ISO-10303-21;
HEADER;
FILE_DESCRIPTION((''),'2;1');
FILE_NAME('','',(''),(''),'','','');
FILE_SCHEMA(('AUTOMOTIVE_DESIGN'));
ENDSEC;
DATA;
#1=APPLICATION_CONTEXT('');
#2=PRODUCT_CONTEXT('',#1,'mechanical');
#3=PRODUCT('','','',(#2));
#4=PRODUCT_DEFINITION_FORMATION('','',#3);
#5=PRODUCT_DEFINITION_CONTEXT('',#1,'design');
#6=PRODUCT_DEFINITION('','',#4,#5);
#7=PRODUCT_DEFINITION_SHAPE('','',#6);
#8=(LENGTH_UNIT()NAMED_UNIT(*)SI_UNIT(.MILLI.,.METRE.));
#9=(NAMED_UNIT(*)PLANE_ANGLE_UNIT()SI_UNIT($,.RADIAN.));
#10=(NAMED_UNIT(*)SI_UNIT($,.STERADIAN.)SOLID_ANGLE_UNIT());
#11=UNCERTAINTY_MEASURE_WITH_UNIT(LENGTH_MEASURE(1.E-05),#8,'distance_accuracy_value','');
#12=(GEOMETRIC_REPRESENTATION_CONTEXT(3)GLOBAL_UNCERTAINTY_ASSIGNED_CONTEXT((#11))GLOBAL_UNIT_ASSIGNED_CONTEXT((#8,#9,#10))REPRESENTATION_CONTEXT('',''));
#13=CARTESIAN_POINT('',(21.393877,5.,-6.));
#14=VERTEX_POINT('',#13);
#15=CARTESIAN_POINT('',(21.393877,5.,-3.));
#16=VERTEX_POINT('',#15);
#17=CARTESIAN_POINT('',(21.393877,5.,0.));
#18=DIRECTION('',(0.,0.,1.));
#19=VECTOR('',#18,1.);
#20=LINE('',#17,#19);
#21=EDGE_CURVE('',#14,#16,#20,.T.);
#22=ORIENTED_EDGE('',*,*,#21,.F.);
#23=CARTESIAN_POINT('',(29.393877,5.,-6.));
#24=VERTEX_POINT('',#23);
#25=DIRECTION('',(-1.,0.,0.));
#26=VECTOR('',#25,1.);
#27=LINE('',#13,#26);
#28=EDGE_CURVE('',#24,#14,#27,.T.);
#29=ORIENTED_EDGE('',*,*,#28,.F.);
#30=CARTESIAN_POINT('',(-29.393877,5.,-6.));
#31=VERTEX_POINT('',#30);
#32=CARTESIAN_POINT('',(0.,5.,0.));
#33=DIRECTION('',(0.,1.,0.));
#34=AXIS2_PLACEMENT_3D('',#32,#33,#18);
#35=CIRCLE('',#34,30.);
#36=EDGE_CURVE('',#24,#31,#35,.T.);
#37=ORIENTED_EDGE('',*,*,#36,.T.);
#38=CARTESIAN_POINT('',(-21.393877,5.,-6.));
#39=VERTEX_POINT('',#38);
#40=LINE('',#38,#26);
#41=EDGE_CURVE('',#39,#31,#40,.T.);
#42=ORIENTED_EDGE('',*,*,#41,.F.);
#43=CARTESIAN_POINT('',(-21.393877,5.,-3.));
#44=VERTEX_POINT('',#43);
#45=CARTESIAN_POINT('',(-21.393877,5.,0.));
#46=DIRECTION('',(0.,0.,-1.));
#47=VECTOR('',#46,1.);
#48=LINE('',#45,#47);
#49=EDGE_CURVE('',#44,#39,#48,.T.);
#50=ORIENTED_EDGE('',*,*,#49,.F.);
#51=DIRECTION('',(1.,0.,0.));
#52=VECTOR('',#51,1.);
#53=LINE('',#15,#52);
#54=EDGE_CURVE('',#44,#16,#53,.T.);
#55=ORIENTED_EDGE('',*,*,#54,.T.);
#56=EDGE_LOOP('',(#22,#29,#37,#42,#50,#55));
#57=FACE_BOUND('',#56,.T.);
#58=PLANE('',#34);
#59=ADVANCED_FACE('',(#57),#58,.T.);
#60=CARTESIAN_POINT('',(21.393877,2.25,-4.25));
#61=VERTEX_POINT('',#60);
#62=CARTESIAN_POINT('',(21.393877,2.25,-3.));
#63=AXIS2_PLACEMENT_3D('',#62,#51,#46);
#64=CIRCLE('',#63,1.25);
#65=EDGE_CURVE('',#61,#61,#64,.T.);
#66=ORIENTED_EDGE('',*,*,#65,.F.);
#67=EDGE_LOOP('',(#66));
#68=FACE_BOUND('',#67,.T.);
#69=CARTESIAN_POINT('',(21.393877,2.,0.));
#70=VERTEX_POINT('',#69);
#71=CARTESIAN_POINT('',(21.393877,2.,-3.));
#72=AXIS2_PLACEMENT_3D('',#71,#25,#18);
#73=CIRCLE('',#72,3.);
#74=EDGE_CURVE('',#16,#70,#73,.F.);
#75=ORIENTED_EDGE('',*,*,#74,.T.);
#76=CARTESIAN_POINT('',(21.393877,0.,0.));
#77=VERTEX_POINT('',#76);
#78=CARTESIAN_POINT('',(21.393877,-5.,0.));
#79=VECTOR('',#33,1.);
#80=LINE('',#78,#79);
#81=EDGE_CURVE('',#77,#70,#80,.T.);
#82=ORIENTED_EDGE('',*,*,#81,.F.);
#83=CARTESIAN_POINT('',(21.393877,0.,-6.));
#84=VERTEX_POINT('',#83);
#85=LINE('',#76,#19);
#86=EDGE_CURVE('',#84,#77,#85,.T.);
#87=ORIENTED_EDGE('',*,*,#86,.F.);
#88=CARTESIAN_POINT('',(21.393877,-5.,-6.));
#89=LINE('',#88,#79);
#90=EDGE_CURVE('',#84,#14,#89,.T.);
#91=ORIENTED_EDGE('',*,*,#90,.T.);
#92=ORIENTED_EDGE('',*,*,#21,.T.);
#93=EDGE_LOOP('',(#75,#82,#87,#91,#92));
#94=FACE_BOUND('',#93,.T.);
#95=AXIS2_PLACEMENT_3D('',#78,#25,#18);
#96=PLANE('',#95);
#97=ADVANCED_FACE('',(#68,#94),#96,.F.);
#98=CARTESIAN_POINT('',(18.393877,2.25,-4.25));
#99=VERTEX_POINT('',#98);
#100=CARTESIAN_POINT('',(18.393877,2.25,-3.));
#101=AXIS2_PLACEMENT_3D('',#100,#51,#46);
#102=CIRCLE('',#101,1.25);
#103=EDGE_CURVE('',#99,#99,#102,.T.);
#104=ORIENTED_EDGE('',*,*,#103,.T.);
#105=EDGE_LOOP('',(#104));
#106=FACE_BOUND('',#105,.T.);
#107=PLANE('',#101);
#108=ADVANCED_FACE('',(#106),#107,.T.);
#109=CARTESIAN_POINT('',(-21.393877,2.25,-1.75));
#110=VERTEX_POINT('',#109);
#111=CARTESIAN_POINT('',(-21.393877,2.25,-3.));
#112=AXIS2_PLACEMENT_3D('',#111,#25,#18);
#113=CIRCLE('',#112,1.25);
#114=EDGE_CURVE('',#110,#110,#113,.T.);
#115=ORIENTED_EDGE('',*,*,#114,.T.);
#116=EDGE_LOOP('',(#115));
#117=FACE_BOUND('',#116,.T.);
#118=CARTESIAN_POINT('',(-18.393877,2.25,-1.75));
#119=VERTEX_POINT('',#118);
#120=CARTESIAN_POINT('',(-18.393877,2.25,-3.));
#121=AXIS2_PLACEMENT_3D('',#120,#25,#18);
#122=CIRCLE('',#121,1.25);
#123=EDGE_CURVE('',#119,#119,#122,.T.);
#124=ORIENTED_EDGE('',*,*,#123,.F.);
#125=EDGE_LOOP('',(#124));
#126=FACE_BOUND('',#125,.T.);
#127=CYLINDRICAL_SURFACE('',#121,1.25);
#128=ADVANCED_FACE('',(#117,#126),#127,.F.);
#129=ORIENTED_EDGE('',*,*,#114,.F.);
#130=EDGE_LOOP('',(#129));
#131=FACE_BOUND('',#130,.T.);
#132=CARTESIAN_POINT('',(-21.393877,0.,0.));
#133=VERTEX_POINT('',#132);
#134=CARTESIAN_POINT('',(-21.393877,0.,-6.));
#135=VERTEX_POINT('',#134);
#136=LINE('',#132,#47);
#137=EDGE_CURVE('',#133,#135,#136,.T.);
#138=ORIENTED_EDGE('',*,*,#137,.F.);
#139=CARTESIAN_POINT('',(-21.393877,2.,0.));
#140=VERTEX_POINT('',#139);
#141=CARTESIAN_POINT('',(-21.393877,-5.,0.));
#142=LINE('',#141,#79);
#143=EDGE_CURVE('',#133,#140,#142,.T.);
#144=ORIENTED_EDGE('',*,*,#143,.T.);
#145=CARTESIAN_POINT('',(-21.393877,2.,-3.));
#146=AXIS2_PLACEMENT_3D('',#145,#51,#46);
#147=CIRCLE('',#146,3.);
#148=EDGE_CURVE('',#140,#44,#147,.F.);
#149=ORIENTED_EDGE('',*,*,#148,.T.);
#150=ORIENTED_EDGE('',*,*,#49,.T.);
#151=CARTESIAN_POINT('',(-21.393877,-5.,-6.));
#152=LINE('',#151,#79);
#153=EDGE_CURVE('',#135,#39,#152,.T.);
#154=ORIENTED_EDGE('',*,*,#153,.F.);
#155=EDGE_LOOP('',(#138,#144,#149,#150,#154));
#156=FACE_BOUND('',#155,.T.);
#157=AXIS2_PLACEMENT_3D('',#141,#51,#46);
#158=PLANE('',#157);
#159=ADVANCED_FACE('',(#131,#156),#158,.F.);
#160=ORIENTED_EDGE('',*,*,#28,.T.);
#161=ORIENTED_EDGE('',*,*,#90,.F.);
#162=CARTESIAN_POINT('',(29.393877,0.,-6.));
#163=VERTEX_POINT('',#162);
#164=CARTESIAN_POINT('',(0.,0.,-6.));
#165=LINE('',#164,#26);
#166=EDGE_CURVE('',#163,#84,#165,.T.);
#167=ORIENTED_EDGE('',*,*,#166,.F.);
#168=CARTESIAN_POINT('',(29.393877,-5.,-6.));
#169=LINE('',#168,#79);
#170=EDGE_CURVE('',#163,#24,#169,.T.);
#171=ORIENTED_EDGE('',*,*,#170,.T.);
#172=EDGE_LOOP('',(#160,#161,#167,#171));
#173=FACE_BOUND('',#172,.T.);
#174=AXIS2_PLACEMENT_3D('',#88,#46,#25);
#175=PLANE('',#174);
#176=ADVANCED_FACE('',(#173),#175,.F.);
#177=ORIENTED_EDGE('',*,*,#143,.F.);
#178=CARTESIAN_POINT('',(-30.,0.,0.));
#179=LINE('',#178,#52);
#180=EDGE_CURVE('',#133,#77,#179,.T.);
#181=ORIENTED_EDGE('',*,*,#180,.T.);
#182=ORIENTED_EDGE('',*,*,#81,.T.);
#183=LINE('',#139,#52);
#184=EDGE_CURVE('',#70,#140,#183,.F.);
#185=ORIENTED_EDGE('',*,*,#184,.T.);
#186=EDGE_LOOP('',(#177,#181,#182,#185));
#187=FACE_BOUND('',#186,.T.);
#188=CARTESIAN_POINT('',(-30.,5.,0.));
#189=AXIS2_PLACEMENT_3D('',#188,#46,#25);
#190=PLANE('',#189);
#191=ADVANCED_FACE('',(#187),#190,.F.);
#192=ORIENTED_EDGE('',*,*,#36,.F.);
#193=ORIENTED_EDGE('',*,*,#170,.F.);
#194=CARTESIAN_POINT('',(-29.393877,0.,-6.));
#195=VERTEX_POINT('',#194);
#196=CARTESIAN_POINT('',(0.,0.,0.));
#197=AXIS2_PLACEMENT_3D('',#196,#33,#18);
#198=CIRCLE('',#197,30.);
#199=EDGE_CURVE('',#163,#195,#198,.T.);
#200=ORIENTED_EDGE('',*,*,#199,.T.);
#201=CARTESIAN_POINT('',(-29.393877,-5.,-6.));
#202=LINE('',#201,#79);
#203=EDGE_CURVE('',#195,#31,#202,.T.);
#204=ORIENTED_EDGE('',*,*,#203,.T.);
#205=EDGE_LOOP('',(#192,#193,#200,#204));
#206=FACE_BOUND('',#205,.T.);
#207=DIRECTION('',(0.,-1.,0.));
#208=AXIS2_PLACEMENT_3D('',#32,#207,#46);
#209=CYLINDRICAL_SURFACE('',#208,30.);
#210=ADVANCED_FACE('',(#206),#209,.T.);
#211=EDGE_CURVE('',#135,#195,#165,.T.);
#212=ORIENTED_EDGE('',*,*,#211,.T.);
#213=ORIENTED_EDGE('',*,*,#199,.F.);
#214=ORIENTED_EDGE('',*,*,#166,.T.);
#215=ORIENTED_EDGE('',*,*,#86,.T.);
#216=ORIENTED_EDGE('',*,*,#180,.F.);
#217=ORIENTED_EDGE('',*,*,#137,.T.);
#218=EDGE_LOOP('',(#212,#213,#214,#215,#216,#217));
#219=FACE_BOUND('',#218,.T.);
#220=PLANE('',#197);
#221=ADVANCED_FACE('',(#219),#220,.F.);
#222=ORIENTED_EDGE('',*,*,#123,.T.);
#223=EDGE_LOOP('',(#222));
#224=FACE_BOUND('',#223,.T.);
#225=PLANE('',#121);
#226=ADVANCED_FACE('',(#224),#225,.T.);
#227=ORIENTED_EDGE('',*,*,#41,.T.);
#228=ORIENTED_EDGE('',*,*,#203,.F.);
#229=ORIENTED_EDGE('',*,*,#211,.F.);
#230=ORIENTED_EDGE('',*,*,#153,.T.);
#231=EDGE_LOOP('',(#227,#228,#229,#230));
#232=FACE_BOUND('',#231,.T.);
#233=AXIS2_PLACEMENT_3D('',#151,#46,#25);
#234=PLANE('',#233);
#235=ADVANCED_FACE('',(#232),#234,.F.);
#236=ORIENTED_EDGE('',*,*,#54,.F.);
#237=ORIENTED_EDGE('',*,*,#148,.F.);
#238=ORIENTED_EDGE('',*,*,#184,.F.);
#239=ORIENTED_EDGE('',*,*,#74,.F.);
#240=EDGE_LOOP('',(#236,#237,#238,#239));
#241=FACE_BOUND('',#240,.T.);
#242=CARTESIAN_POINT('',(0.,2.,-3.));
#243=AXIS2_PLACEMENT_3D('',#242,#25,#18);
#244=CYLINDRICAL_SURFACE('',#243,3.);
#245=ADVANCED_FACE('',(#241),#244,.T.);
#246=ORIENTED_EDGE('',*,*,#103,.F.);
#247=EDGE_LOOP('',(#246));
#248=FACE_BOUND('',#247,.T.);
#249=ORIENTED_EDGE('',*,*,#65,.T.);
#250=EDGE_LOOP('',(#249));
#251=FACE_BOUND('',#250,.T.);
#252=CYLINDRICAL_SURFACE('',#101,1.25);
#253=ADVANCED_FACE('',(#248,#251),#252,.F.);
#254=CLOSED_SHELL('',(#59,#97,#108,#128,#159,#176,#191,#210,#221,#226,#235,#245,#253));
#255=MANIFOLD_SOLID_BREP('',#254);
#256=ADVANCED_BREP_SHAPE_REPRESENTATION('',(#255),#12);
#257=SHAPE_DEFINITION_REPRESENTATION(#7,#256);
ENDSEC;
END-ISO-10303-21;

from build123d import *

# Parameters (mm, degrees)
BOSS_EXTRUDE1_DEPTH = 5
CUT_EXTRUDE1_START  = -10
CUT_EXTRUDE1_DEPTH  = 10
FILLET2_R           = 3
SKETCH6_R           = 1.25
CUT_EXTRUDE2_DEPTH  = 3
CUT_EXTRUDE3_START  = -3
SKETCH7_R           = 1.25
CUT_EXTRUDE3_DEPTH  = 3


with BuildPart() as part:
    # Sketch1 → Boss-Extrude1 (new body)
    with BuildSketch(Plane(origin=(0, 0, 0), x_dir=(1, 0, 0), z_dir=(0, 1, 0))):
        with BuildLine():
            Line((-30, 0), (30, 0))
            ThreePointArc((30, 0), (0, 30), (-30, 0))
        make_face()
    extrude(amount=BOSS_EXTRUDE1_DEPTH)

    # Sketch5 → Cut-Extrude1 (cut)
    with BuildSketch(Plane(origin=(0, 5, 0), x_dir=(1, 0, 0), z_dir=(0, 1, 0)).offset(CUT_EXTRUDE1_START)):
        with BuildLine():
            Line((-21.393876913, 0), (-21.393876913, 6))
            Line((-21.393876913, 6), (-29.393876913, 6))
            ThreePointArc((-29.393876913, 6), (-29.84808459, 3.01526886), (-30, 0))
            Line((-30, 0), (-21.393876913, 0))
        make_face()
        with BuildLine():
            Line((21.393876913, 6), (29.393876913, 6))
            ThreePointArc((29.393876913, 6), (29.84808459, 3.01526886), (30, 0))
            Line((30, 0), (21.393876913, 0))
            Line((21.393876913, 0), (21.393876913, 6))
        make_face()
    extrude(amount=CUT_EXTRUDE1_DEPTH, mode=Mode.SUBTRACT)

    # Fillet2
    fillet2_edges = [part.edges().sort_by_distance(p)[0] for p in [
        (0, 5, 0),
    ]]
    fillet(fillet2_edges, radius=FILLET2_R)

    # Sketch6 → Cut-Extrude2 (cut)
    with BuildSketch(Plane(origin=(21.393876913, 0, 0), x_dir=(0, 0, -1), z_dir=(1, 0, 0))):
        with Locations((3, 2.25)):
            Circle(SKETCH6_R)
    extrude(amount=-CUT_EXTRUDE2_DEPTH, mode=Mode.SUBTRACT)

    # Sketch7 → Cut-Extrude3 (cut)
    with BuildSketch(Plane.ZY.offset(21.393876913).offset(CUT_EXTRUDE3_START)):
        with Locations(Location((-3, 2.25, 0), (0, 0, 180))):
            Circle(SKETCH7_R)
    extrude(amount=CUT_EXTRUDE3_DEPTH, mode=Mode.SUBTRACT)


solid = part.part
